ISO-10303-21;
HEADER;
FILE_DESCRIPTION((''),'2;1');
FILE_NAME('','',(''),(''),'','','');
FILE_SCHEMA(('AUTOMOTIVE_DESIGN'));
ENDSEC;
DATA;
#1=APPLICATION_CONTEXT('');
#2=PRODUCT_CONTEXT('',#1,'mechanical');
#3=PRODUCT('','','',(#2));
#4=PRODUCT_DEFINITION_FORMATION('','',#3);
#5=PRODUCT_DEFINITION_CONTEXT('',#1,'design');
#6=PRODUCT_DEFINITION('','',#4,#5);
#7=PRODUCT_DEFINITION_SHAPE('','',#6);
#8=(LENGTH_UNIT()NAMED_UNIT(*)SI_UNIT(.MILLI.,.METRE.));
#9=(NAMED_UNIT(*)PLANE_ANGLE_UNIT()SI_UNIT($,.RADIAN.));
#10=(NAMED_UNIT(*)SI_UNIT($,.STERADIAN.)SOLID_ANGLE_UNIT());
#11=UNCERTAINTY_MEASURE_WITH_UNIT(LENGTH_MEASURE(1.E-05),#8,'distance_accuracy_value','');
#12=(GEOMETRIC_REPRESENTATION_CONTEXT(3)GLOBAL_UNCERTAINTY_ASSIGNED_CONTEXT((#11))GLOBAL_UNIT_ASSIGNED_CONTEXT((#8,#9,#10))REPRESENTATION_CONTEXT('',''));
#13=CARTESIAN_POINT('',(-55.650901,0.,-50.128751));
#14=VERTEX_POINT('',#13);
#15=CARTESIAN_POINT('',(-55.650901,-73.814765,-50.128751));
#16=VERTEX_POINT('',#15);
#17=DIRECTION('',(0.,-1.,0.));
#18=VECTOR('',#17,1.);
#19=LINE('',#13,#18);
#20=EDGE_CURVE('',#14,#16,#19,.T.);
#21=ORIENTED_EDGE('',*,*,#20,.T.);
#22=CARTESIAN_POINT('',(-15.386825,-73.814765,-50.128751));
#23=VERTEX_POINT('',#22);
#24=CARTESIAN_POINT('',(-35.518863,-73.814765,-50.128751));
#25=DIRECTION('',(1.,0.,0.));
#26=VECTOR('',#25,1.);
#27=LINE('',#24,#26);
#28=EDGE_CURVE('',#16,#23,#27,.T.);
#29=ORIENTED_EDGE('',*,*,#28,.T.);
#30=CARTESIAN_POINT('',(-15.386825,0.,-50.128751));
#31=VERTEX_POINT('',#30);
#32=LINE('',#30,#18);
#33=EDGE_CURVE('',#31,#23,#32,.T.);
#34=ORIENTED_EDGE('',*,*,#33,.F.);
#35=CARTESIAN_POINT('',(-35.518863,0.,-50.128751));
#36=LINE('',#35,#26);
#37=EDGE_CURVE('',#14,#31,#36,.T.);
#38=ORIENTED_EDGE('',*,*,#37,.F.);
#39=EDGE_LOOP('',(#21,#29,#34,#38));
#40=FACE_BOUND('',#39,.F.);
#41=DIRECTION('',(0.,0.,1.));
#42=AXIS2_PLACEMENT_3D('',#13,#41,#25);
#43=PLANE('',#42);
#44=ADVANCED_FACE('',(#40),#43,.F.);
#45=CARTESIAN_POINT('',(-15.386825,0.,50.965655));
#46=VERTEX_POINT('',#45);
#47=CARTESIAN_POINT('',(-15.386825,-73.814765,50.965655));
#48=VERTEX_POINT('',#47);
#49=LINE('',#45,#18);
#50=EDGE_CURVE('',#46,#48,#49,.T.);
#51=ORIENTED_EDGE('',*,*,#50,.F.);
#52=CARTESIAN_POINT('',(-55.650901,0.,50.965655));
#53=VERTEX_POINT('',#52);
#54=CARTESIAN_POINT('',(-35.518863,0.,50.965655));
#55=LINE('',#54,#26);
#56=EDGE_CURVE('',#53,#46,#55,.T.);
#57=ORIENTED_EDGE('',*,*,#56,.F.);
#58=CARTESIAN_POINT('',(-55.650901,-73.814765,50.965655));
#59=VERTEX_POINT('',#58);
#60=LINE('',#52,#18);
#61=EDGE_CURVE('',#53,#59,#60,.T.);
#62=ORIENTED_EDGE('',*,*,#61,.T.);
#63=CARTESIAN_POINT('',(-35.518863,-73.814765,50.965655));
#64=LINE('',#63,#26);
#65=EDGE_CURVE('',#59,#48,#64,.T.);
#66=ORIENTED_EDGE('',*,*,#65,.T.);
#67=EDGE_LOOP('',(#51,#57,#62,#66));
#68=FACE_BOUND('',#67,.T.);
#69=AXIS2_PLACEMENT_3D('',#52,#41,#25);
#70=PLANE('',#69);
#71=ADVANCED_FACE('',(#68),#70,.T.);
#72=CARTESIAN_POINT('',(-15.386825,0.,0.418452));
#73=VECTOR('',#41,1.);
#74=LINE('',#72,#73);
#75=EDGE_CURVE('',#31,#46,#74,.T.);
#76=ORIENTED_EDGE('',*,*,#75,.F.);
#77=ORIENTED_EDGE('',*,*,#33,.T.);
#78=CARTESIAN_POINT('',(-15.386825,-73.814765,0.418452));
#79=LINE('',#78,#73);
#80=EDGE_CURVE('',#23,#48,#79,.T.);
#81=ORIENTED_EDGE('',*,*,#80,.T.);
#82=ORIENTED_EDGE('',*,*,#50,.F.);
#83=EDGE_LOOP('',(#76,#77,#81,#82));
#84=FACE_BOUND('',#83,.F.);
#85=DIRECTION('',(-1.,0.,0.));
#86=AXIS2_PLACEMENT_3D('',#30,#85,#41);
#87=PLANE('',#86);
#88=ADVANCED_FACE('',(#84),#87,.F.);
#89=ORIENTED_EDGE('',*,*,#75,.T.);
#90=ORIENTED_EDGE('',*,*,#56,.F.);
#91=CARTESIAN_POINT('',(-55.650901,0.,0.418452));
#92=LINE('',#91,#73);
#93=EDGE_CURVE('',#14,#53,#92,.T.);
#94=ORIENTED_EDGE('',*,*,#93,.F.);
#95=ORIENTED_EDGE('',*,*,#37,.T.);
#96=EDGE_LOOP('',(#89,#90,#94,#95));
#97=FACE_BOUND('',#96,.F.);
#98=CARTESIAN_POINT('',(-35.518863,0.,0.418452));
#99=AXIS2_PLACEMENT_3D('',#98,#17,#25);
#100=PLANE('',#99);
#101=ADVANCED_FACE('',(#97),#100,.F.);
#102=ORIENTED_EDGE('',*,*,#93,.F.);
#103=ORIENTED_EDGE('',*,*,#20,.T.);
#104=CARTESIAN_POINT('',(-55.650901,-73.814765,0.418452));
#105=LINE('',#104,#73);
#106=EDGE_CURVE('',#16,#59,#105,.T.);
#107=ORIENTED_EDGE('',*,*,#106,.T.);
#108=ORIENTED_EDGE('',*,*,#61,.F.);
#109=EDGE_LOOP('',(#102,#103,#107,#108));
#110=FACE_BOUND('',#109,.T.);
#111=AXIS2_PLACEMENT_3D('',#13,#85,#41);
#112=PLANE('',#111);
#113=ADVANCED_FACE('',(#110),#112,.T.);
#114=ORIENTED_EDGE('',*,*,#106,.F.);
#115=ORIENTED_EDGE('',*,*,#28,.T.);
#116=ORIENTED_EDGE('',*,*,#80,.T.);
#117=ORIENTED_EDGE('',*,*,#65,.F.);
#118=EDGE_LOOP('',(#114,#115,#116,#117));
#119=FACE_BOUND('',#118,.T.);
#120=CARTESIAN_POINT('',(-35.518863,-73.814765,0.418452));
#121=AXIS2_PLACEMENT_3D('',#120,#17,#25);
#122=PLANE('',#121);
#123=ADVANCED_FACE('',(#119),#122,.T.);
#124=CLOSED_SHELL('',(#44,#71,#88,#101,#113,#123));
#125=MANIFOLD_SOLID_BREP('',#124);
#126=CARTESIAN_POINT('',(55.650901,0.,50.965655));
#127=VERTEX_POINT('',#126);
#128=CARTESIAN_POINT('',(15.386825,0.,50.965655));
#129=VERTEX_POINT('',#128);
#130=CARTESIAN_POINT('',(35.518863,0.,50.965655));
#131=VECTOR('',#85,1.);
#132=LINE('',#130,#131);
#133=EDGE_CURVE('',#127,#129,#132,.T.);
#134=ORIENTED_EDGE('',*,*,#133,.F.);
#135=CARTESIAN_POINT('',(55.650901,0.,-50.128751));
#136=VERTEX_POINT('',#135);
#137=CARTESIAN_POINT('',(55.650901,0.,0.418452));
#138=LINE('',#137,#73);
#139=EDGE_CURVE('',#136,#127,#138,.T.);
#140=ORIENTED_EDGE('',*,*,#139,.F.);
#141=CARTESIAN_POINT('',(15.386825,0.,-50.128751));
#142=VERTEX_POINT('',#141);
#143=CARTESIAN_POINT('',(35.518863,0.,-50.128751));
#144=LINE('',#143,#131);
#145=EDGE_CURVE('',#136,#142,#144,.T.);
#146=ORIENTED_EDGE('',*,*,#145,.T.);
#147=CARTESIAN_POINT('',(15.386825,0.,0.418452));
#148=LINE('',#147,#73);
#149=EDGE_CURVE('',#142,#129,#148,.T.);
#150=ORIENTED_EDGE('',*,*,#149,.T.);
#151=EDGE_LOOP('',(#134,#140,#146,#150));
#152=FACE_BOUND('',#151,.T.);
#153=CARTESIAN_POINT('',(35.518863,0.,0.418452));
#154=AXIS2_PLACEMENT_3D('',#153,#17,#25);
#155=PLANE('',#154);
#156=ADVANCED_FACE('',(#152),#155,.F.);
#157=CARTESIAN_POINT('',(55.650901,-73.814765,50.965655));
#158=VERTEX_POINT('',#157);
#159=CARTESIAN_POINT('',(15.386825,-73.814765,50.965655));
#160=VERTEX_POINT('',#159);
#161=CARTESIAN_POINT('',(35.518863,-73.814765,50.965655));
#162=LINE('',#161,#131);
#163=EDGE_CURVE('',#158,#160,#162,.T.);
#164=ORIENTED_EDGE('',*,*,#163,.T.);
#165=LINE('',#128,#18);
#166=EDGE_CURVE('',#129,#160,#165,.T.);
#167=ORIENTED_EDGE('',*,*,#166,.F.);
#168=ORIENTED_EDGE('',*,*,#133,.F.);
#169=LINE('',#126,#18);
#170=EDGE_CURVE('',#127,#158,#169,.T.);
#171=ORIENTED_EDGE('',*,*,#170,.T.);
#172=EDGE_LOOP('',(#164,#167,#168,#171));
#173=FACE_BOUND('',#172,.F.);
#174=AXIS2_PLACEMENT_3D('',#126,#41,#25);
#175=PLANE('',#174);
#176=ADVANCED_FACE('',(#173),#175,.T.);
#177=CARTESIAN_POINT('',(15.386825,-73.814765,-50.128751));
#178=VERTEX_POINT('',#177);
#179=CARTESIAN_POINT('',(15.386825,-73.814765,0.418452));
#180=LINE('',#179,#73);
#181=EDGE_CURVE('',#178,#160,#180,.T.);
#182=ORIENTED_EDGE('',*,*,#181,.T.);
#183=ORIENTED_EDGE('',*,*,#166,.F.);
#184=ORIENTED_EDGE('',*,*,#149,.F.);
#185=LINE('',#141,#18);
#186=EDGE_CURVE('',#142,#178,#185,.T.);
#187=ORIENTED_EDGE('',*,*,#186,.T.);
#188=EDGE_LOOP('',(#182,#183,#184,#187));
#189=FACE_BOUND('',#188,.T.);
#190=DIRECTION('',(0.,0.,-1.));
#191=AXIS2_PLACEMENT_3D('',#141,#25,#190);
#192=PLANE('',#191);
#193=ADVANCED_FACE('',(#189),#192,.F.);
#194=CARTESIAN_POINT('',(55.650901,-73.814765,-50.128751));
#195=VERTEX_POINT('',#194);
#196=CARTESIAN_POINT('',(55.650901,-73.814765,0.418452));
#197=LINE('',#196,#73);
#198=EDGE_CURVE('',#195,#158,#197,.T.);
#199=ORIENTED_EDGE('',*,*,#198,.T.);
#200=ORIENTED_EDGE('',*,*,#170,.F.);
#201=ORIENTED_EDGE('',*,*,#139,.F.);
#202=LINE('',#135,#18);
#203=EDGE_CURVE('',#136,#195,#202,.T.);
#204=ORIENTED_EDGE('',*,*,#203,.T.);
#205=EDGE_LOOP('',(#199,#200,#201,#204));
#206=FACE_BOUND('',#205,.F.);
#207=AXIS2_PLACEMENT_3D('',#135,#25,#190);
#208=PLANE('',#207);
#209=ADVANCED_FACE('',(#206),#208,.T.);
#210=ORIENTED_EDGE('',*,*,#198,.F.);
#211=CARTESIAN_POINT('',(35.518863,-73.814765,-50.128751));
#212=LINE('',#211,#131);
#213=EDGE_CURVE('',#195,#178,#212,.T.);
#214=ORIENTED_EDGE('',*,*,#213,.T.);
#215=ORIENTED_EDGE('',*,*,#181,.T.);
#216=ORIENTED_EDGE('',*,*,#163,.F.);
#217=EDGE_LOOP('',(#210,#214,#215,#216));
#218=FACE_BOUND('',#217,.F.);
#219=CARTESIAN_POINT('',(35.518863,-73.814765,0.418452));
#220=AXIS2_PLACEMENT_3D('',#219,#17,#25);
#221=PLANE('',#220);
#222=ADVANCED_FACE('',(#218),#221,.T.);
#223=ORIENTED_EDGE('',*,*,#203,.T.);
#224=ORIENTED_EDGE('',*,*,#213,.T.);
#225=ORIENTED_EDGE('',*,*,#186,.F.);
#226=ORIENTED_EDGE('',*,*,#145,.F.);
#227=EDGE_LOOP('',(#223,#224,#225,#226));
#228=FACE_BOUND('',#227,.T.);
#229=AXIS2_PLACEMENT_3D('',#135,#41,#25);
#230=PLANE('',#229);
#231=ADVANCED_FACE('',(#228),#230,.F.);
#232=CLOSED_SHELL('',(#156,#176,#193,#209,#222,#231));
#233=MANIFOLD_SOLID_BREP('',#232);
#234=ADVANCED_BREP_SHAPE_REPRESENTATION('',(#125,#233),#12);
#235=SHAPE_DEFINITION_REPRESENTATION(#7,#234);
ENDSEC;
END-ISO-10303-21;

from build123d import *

# Parameters (mm, degrees)
F0_W     = 40.264076
F0_H     = 101.094407
F1_DEPTH = 73.814765


with BuildPart() as f1:
    # F0 (on Front) → F1 (new body)
    with BuildSketch(Plane.XZ):
        with Locations((-35.518863, 0.418452)):
            Rectangle(F0_W, F0_H)
    extrude(amount=F1_DEPTH)


with BuildPart() as f2_1:
    # F2: instance of F1
    add(f1.part.mirror(Plane.YZ))


solid = Compound([f1.part, f2_1.part])
